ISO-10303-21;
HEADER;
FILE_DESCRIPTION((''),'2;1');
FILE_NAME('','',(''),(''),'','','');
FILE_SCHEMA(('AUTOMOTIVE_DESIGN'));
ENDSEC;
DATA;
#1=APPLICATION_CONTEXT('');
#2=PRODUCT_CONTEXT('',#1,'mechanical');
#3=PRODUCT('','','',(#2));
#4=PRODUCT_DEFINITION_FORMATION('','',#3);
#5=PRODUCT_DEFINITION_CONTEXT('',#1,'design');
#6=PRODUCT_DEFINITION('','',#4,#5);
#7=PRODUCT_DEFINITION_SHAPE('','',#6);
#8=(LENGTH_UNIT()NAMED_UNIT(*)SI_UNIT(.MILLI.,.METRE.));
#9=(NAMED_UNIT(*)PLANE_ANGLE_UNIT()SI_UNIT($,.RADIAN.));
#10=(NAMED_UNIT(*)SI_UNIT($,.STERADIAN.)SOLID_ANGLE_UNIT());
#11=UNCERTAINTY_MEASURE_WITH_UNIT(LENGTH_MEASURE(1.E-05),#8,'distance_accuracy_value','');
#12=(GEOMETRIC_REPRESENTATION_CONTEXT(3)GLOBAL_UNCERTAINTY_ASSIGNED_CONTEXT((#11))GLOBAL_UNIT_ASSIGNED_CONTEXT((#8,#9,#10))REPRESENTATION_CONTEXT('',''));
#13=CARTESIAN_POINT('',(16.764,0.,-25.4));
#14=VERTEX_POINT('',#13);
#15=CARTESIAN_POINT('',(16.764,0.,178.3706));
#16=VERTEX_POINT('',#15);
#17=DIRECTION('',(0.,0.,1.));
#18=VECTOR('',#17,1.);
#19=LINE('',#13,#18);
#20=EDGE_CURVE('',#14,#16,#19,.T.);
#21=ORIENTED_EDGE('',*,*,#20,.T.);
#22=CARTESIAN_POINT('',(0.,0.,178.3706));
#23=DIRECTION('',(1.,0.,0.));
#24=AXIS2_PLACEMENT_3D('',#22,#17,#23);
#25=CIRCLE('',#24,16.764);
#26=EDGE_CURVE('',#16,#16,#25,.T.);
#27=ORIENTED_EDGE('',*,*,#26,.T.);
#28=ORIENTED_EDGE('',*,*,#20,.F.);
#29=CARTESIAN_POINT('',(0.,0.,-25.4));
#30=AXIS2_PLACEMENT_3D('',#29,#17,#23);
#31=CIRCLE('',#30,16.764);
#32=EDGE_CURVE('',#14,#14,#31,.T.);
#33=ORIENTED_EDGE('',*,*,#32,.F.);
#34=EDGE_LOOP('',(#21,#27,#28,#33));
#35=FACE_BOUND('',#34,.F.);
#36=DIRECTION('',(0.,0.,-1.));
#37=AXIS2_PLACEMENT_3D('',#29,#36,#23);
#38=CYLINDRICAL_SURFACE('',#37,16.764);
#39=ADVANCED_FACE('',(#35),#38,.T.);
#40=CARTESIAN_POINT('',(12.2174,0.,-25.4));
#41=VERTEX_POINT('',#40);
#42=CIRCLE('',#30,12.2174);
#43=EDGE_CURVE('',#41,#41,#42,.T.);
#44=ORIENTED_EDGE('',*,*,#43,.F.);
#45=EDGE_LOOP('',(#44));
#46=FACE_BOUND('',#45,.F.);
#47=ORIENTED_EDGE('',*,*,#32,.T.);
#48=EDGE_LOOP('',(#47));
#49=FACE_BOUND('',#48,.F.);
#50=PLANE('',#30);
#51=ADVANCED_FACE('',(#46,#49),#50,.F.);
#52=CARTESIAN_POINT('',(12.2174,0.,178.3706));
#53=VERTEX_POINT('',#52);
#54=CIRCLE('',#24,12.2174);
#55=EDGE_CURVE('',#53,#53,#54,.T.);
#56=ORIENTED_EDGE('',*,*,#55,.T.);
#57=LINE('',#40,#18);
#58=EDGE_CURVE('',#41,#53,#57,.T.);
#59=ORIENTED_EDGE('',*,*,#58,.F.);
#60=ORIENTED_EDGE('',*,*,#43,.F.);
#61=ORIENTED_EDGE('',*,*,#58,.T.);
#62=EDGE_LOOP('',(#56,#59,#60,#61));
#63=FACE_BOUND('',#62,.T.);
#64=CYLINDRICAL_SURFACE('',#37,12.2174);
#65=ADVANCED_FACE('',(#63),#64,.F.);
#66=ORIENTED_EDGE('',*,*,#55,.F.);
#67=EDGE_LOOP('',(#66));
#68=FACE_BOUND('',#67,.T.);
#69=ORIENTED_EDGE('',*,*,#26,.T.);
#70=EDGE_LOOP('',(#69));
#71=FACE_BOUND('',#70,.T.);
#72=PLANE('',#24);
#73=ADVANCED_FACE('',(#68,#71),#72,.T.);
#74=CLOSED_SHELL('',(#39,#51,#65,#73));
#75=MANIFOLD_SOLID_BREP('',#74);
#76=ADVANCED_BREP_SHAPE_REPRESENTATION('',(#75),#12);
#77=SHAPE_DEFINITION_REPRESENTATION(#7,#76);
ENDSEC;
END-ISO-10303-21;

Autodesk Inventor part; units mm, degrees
ref_plane "YZ Plane" through (0, 0, 0) normal (1, 0, 0) x (0, 1, 0)
ref_plane "Start Plane" through (0, 0, -25.4) normal (0, 0, 1) x (1, 0, 0)
ref_plane "End Plane" through (0, 0, 178.3706) normal (0, 0, 1) x (1, 0, 0)
sketch "Sketch" plane through (0, 0, 0) normal (0, 0, 1) x (1, 0, 0)
  circle A0 centre (0, 0) radius 12.2174
  circle A1 centre (0, 0) radius 16.764
  dimension "d0" = 33.528
  dimension "d1" = 4.5466
extrude "Body" add sketch "Sketch" along normal up to surface (203.7706 mm away) from surface at -25.4
sketch "Sketch3" plane through (0, 0, 0) normal (0, 0, 1) x (1, 0, 0)
  line L0 (0, 0) -> (10, 0)
ref_plane "Work Plane3" through (0, 0, 0) normal (0, -1, 0) x (1, 0, 0)
sketch "Sketch4" plane through (0, 0, 0) normal (0, -1, 0) x (1, 0, 0)
  line L0 (-2, -25.4) -> (12, -25.4) projected
  line L1 (-2, 178.3706) -> (12, 178.3706) projected
  dimension "d7" = 203.7706
equation "\"d0\" = G_H"
equation "\"d1\" = G_T"
equation "\"d2\" = G_L"
equation "\"G_H\" = 33.528"
equation "\"G_T\" = 4.5466"
equation "\"G_L\" = d7"
equation "\"G_OFFSET_START\" = 25.4"
equation "\"G_OFFSET_END\" = 25.4"
equation "\"d4\" = -G_OFFSET_START"
equation "\"d5\" = G_OFFSET_END + B_L"
equation "\"B_L\" = 152.97059"
properties part number "ANSI - 1 x 0.179 - 8.022" material "Steel, Mild"
